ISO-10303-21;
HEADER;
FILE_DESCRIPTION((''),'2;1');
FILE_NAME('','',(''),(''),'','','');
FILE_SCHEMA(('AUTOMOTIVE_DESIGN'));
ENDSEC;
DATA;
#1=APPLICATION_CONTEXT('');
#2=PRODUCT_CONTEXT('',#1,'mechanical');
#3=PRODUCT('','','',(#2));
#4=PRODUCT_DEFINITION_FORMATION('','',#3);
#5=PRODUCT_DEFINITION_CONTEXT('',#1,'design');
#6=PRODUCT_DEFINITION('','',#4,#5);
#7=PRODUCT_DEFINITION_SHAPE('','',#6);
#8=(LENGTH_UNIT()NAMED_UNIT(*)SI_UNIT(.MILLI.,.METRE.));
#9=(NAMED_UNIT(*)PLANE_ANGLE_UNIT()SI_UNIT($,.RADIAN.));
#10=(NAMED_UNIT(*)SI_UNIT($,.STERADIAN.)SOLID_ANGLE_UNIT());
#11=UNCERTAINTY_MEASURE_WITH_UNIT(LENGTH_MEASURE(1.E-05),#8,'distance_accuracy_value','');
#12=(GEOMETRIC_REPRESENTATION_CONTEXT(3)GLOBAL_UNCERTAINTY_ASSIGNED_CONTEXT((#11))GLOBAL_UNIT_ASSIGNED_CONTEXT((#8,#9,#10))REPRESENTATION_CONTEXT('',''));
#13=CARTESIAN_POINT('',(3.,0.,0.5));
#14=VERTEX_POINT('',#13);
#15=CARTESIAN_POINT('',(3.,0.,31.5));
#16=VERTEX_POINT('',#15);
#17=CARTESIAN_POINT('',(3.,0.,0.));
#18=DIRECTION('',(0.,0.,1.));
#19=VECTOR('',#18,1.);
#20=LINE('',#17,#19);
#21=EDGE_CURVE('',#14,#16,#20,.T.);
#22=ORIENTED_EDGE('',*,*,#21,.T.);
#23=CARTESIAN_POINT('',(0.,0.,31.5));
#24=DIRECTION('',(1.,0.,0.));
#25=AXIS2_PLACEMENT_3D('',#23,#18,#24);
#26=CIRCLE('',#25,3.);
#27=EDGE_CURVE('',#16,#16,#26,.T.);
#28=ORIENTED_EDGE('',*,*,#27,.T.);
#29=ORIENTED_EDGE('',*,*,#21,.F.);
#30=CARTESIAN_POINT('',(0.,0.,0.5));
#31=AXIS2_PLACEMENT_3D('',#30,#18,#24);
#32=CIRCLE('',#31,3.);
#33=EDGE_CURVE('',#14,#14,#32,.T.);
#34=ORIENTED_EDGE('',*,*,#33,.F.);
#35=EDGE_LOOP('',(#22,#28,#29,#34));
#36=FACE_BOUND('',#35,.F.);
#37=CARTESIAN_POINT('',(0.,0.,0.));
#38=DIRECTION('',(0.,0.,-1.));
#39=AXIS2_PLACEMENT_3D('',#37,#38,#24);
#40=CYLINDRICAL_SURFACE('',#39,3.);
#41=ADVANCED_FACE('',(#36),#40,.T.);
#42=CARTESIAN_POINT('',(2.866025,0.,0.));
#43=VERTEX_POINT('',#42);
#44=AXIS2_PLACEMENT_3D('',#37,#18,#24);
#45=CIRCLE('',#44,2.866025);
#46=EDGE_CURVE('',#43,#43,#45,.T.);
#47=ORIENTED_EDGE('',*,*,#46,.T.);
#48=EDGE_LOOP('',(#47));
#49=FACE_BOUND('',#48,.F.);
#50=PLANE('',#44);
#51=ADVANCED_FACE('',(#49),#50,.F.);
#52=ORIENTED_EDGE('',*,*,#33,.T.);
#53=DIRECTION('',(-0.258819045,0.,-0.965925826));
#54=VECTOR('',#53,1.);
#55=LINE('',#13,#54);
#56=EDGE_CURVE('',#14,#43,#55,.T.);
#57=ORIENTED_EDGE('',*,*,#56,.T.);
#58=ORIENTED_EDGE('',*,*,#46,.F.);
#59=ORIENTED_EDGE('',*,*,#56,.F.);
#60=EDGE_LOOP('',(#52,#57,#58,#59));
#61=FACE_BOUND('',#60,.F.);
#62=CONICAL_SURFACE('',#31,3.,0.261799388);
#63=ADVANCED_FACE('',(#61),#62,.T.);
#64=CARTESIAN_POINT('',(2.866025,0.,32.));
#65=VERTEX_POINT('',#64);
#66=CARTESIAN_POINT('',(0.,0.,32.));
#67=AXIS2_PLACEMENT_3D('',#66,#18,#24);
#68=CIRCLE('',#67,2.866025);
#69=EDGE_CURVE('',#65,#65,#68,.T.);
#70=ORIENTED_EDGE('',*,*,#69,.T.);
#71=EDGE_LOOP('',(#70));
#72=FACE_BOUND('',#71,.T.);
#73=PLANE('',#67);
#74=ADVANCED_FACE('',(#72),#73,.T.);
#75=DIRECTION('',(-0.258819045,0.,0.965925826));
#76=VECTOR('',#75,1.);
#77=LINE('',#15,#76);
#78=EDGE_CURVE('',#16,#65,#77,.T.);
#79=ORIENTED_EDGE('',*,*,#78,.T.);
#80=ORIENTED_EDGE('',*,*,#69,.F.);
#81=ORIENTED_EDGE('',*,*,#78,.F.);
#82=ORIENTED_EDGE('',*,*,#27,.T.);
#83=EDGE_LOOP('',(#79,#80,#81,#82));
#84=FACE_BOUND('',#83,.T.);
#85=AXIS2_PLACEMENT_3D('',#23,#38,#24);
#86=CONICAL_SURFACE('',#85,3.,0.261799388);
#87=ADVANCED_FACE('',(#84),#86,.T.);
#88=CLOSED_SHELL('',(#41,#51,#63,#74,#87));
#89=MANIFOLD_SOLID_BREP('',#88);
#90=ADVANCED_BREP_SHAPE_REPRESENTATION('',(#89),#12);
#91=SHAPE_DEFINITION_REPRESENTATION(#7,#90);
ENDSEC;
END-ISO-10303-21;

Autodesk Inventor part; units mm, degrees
ref_plane "YZ Plane" through (0, 0, 0) normal (1, 0, 0) x (0, 1, 0)
ref_plane "XZ Plane" through (0, 0, 0) normal (0, 1, 0) x (-1, 0, 0)
ref_plane "XY Plane" through (0, 0, 0) normal (0, 0, 1) x (1, 0, 0)
sketch "スケッチ1" plane through (0, 0, 0) normal (0, 0, 1) x (1, 0, 0)
  circle A0 centre (0, 0) radius 3
  dimension "d0" = 6
extrude "押し出し1" add sketch "スケッチ1" along normal blind 32
chamfer "面取り1" distance 0.5 angle 15 2 edges at (-3, 0, 0) (-3, 0, 32) measured on face at (2.9903, -0.2414, 21.3333)
properties part number "平行ピンD6L32" material "ステンレス鋼"
